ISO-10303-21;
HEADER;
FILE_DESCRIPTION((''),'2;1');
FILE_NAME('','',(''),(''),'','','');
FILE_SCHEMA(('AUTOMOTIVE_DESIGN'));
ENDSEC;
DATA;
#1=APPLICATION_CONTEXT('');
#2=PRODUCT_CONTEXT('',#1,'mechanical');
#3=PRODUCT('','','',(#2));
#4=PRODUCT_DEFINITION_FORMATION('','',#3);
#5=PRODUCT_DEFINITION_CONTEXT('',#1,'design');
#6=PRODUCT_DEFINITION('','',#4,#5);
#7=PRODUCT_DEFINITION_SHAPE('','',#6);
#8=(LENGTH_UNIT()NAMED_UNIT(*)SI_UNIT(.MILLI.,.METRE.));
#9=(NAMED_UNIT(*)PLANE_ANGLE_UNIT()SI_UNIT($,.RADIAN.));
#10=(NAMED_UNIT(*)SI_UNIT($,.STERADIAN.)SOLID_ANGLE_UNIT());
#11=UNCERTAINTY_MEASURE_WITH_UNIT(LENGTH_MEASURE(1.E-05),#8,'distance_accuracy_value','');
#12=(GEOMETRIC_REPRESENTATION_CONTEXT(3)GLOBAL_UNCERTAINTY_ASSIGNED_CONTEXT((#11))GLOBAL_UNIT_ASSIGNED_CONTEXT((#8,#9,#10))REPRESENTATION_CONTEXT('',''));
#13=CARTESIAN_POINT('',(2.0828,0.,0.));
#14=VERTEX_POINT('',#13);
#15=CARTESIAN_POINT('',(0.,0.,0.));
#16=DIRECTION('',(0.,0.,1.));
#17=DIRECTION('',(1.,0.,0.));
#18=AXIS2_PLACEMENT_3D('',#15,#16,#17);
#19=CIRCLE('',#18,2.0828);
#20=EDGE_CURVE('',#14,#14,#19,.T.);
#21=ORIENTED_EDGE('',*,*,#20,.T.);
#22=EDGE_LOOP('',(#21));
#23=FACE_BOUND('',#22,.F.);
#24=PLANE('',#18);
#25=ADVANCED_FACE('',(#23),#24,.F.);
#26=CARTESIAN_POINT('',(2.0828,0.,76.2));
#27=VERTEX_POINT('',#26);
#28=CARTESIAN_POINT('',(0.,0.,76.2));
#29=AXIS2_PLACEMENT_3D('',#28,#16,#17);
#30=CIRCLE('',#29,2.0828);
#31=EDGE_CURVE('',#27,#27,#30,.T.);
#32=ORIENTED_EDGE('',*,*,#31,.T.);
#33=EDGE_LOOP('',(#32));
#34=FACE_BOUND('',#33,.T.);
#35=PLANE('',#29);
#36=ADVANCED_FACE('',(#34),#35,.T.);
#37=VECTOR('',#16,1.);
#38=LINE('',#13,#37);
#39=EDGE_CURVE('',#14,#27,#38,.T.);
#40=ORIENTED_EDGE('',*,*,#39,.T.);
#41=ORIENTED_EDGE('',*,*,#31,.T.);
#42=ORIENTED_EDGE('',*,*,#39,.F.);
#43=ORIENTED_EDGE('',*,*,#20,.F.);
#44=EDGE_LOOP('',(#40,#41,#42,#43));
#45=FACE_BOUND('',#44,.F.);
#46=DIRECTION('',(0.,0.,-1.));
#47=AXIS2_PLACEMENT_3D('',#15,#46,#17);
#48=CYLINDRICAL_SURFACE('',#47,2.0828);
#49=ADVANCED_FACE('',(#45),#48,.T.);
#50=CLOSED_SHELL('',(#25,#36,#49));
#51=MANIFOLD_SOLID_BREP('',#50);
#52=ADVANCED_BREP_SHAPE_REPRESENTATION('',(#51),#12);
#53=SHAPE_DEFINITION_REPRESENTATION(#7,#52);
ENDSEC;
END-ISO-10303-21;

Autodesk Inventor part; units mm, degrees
ref_plane "YZ Plane" through (0, 0, 0) normal (1, 0, 0) x (0, 1, 0)
ref_plane "XZ Plane" through (0, 0, 0) normal (0, 1, 0) x (-1, 0, 0)
ref_plane "XY Plane" through (0, 0, 0) normal (0, 0, 1) x (1, 0, 0)
sketch "Sketch1" plane through (0, 0, 0) normal (0, 0, 1) x (1, 0, 0)
  circle A0 centre (0, 0) radius 2.0828
  dimension "d0" = 4.1656
extrude "Extrusion1" add sketch "Sketch1" along normal blind 76.2
thread "Thread1" size "8-32 UNC" class "2A" standard "ANSI Unified Screw Threads" full length
properties part number "Threaded Rod"
